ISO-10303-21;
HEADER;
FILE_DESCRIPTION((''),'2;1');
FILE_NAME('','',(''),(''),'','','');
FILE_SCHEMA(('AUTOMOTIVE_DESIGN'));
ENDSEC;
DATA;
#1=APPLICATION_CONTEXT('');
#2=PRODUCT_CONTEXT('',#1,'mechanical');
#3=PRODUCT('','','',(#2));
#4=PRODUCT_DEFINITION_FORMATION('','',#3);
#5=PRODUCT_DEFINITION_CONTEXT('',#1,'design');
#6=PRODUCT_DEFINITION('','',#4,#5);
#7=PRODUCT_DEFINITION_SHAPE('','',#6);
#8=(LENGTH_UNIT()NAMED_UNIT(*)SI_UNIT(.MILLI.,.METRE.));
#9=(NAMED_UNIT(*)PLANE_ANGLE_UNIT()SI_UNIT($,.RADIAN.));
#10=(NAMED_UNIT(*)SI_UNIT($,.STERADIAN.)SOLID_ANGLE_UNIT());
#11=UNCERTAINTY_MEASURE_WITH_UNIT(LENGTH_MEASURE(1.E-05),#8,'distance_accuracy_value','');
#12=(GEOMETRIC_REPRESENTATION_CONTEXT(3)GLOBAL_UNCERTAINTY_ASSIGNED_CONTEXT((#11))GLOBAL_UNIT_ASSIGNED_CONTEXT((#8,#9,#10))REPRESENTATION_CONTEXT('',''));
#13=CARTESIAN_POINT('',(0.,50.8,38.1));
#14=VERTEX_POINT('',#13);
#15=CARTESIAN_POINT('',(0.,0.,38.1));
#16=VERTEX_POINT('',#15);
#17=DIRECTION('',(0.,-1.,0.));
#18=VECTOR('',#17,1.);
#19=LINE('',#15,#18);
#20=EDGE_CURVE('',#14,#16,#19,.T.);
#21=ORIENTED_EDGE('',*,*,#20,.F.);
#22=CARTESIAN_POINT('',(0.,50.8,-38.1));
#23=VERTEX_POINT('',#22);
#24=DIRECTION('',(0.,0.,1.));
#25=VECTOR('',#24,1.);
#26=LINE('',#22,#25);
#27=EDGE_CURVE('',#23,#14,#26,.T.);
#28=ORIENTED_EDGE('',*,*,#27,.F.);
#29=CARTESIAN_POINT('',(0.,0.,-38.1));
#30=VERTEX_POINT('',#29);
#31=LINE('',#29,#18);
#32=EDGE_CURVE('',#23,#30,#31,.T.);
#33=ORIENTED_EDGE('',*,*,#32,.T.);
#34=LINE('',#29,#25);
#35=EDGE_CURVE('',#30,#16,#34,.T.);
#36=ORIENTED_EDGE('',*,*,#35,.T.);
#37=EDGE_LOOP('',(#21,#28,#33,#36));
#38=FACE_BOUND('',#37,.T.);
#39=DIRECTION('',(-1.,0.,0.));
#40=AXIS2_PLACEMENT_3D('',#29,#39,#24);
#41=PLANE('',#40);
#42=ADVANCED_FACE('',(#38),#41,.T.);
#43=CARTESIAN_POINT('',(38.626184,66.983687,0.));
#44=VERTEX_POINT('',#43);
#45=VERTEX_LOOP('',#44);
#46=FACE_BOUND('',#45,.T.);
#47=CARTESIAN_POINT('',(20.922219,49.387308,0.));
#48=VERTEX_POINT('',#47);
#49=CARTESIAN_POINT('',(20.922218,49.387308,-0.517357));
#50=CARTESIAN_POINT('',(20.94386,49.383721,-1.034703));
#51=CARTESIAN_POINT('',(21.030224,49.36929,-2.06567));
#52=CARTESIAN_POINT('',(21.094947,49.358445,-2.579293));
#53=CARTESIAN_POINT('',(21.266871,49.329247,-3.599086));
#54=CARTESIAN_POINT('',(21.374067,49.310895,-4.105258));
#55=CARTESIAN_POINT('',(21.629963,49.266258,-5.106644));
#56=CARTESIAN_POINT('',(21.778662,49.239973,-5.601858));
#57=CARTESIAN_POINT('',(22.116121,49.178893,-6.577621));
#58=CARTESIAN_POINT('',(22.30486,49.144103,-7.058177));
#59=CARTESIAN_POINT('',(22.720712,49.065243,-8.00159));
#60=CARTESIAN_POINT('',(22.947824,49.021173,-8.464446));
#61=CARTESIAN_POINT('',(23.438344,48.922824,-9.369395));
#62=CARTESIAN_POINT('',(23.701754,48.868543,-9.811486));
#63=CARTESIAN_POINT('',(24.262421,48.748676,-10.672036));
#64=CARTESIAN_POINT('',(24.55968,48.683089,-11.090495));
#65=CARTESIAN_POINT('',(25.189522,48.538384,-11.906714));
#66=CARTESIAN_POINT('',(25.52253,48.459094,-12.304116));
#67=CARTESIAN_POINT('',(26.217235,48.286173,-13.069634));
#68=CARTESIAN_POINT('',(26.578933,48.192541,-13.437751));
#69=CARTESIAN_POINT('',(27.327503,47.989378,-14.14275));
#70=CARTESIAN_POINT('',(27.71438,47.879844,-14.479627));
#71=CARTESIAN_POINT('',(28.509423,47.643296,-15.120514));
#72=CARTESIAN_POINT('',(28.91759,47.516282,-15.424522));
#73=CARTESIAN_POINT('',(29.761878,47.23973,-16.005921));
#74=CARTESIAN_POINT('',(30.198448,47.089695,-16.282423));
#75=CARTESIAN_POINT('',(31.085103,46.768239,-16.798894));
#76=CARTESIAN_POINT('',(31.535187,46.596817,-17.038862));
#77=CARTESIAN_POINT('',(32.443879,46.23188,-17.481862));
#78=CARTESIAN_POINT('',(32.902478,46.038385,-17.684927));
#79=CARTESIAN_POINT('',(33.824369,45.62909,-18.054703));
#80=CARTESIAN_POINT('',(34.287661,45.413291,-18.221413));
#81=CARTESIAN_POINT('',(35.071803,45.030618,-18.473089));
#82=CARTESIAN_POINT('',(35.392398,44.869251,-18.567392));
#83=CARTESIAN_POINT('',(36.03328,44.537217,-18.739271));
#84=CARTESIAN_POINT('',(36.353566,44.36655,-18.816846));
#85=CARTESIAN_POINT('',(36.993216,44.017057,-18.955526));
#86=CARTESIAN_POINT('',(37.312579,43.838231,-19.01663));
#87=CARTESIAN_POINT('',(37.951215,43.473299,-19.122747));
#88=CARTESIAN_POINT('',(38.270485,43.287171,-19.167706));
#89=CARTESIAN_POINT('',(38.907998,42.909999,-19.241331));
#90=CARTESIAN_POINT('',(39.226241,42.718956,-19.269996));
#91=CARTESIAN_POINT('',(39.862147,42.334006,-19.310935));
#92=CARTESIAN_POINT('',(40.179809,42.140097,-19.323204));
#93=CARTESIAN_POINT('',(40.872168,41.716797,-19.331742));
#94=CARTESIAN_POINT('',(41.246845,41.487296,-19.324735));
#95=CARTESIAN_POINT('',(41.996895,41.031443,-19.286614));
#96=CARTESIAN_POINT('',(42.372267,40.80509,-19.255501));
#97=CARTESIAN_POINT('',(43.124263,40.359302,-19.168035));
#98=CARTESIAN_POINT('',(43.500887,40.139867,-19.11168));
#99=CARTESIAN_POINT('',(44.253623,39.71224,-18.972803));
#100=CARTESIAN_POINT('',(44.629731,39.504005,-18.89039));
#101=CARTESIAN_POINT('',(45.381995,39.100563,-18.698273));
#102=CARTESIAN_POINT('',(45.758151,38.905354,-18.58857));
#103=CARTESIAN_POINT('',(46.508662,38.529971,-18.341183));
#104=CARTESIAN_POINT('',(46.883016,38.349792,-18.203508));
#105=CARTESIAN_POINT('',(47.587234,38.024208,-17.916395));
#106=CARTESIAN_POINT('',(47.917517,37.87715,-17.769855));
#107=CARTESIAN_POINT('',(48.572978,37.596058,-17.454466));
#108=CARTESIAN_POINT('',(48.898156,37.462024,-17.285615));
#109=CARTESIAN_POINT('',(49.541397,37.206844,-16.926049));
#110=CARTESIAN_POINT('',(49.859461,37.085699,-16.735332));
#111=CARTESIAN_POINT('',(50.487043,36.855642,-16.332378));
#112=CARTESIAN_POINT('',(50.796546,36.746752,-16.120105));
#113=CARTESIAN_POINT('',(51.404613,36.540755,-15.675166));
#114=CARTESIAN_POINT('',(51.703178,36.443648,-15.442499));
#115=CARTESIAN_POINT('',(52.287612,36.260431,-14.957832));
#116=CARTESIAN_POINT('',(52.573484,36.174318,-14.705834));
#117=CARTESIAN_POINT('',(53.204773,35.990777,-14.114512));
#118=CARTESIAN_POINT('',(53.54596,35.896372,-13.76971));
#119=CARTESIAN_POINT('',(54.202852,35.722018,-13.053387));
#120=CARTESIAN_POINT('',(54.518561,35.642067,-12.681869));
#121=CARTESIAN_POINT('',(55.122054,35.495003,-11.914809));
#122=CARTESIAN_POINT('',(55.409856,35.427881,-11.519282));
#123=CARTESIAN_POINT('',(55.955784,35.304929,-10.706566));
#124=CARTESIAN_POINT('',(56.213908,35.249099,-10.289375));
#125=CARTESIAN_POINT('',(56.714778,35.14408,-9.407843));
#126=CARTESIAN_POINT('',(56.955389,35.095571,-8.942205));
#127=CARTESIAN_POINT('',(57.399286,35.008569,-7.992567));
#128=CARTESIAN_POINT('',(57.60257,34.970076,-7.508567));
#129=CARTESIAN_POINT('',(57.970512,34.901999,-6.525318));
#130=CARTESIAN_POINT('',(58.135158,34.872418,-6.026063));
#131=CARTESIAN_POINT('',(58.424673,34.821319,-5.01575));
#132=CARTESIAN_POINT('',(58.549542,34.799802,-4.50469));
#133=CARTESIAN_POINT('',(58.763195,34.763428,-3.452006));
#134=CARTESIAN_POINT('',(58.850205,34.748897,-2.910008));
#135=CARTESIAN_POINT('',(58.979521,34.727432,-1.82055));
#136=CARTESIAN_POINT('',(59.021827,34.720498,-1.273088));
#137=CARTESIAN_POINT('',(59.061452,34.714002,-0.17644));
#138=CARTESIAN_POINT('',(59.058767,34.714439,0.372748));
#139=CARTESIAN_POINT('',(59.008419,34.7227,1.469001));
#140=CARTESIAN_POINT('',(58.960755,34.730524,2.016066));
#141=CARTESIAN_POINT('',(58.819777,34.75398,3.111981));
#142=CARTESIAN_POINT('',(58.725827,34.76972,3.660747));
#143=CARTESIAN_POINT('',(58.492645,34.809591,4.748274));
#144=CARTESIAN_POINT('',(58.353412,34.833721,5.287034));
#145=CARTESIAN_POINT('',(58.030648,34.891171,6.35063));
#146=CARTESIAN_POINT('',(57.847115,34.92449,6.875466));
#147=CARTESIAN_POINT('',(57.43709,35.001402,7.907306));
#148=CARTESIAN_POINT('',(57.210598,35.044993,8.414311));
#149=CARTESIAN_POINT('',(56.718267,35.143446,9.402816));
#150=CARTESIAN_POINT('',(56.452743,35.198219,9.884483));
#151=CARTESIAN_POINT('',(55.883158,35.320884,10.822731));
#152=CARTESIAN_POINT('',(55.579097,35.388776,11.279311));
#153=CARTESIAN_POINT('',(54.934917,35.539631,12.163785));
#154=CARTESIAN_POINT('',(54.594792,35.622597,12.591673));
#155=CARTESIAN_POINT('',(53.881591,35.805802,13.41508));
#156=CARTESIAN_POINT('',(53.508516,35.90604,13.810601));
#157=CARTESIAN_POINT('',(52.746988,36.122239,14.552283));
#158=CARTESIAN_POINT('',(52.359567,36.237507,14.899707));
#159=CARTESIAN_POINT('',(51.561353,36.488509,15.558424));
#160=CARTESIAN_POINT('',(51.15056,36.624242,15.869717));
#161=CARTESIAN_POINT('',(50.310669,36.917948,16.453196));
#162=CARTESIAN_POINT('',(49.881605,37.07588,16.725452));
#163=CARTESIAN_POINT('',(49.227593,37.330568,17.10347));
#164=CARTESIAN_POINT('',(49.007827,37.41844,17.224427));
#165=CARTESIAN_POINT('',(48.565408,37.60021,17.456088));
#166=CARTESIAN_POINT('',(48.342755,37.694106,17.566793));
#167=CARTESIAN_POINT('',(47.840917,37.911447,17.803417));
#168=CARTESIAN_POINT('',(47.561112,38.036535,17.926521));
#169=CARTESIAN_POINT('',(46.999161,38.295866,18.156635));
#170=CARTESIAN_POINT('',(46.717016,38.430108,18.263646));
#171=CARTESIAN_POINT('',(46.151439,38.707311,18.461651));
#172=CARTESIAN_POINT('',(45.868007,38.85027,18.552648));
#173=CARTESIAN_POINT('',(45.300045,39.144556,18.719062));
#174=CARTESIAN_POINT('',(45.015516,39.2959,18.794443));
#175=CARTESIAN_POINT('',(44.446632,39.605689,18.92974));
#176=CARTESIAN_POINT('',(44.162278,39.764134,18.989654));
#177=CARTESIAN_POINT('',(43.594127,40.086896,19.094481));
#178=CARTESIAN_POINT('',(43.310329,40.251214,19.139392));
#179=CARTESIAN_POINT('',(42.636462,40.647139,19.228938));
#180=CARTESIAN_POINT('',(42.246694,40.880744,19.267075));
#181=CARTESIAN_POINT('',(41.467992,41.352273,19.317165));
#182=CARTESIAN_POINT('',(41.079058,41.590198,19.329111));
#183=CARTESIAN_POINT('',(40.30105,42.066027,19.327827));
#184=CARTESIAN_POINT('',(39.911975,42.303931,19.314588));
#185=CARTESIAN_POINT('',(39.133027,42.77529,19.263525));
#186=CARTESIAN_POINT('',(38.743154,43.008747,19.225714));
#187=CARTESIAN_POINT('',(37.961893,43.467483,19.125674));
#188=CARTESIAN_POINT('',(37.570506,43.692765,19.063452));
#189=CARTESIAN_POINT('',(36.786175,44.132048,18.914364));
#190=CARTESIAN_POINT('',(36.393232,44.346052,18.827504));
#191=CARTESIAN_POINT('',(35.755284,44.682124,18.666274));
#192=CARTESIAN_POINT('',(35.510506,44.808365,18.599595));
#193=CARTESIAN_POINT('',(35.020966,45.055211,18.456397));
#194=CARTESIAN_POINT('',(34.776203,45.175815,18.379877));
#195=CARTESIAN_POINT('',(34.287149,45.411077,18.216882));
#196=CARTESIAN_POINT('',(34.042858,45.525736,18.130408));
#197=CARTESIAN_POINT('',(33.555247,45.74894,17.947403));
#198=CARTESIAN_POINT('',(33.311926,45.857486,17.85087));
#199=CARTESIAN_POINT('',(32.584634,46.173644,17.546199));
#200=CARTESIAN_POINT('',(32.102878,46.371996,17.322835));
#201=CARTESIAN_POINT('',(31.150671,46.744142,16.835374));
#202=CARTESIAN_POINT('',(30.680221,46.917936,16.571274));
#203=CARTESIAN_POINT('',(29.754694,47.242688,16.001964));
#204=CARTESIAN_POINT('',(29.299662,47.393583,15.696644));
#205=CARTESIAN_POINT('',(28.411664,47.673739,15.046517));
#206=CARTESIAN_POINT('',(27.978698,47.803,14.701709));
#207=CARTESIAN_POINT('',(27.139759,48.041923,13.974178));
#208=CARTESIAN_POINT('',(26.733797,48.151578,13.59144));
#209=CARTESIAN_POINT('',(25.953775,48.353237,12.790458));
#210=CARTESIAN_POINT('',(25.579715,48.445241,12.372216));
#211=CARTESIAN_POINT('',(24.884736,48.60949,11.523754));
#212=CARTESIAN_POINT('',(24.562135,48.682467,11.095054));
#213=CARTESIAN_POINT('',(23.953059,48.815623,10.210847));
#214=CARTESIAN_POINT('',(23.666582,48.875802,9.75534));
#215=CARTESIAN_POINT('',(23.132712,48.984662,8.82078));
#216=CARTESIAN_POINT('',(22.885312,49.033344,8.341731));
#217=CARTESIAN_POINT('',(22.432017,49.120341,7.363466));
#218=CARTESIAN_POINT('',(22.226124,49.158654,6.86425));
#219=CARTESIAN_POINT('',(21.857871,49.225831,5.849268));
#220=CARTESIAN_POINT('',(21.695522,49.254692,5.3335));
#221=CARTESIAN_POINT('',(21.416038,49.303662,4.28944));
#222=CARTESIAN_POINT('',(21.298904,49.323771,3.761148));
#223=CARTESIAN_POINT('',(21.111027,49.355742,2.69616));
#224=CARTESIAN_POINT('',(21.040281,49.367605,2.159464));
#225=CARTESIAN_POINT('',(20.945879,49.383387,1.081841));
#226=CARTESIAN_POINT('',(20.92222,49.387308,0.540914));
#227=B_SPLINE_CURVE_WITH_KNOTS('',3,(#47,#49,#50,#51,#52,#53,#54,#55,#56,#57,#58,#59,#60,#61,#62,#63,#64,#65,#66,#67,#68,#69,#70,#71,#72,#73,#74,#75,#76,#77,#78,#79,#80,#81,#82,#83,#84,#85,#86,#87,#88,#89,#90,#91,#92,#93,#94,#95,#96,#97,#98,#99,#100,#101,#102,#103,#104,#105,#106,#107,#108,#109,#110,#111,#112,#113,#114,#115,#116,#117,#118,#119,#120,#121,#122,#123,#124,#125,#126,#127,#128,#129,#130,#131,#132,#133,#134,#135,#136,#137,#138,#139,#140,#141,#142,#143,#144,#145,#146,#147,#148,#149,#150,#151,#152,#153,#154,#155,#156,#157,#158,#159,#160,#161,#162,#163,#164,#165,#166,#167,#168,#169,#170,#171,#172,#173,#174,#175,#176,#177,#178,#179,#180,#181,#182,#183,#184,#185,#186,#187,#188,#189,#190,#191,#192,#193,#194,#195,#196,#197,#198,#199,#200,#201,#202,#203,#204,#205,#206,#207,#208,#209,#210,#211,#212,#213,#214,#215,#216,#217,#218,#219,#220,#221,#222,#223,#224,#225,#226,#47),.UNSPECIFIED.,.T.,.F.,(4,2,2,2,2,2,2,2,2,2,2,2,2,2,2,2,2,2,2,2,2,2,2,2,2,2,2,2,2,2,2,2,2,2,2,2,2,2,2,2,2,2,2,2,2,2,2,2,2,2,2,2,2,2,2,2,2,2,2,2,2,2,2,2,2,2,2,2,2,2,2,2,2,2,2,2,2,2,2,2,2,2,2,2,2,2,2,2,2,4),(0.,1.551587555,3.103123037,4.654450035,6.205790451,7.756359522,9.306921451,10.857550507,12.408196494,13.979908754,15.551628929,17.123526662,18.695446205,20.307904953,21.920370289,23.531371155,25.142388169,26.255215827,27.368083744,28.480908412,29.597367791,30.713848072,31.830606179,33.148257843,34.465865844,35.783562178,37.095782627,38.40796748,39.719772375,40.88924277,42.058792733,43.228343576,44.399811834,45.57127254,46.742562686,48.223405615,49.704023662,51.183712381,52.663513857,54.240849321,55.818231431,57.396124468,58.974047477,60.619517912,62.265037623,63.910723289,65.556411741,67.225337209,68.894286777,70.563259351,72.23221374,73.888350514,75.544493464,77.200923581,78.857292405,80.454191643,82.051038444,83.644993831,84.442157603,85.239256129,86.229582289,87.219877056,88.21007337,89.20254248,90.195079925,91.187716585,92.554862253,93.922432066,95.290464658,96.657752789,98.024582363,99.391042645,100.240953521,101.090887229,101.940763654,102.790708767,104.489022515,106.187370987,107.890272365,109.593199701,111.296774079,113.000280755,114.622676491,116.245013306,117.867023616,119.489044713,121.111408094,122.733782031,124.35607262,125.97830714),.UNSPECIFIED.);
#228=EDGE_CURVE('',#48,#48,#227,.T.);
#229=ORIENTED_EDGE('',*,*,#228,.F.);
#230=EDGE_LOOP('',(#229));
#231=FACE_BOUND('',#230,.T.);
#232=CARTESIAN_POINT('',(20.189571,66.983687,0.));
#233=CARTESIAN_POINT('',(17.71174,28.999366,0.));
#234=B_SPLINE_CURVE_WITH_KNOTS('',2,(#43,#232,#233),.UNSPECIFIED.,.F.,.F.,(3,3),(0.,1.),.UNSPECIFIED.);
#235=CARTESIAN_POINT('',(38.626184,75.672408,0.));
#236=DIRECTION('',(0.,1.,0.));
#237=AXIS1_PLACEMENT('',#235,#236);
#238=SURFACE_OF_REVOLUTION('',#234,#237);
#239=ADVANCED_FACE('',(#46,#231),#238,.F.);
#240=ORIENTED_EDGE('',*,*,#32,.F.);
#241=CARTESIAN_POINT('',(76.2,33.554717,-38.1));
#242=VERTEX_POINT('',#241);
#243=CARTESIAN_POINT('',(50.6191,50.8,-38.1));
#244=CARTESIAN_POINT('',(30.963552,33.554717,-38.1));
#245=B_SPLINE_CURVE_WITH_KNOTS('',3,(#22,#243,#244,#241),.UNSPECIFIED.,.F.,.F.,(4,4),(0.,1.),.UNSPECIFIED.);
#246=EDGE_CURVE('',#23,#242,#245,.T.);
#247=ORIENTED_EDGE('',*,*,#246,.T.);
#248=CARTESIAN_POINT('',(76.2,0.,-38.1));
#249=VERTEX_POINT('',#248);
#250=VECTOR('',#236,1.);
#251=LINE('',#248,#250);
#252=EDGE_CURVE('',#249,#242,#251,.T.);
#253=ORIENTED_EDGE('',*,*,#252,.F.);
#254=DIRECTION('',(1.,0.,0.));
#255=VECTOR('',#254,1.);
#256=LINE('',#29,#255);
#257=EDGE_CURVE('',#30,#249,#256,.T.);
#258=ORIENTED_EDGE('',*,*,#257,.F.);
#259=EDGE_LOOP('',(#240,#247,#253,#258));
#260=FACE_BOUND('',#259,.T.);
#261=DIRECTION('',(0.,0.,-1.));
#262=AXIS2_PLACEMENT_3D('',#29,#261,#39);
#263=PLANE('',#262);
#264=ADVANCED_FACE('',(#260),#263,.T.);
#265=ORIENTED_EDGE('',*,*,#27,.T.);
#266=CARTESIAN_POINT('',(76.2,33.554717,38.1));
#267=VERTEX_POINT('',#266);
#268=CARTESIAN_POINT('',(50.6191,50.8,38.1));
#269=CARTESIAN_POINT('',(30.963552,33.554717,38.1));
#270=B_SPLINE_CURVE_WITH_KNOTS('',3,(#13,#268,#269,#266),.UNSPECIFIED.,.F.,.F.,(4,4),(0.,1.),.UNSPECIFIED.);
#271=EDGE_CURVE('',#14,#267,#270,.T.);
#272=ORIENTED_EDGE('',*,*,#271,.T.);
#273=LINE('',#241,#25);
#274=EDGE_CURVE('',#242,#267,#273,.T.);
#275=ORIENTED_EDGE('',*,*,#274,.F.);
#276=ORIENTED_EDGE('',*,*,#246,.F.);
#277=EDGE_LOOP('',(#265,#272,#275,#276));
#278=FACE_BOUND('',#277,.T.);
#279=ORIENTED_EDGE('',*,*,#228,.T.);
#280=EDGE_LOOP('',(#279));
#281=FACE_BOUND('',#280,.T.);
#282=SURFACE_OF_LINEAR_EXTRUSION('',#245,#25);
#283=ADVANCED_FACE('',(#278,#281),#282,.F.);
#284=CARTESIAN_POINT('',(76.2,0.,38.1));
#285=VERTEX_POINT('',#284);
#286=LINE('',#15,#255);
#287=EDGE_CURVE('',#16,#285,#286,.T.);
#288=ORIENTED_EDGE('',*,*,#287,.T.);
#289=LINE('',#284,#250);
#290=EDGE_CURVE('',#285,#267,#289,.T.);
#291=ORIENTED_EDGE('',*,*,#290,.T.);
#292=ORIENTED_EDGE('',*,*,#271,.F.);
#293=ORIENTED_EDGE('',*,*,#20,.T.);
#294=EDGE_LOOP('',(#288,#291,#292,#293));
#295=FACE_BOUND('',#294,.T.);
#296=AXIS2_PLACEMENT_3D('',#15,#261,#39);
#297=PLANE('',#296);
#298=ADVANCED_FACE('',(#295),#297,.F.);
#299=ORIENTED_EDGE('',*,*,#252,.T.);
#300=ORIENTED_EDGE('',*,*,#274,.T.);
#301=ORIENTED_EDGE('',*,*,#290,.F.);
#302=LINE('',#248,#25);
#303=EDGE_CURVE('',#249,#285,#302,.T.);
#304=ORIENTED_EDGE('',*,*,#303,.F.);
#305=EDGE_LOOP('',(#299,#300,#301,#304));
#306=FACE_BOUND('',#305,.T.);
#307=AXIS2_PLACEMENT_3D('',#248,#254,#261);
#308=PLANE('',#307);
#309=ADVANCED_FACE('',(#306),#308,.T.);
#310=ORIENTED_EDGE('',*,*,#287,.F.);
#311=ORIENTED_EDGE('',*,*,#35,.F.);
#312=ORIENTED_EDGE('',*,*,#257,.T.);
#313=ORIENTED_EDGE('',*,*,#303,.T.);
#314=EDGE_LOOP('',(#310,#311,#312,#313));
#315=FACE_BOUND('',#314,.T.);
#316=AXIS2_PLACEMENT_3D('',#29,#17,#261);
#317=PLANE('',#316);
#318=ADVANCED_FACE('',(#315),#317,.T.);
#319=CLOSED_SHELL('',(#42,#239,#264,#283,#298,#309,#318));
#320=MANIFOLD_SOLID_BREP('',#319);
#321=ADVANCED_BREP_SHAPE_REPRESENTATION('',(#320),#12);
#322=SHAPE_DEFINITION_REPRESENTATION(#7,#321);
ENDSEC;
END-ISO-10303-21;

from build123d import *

# Parameters (mm, degrees)
BOSS_EXTRUDE1_DEPTH      = 38.1
BOSS_EXTRUDE1_DEPTH_BACK = 38.1
SKETCH1_W                = 76.2
SKETCH1_H                = 50.8
CUT_EXTRUDE1_DEPTH       = 120.1365603


with BuildPart() as part:
    # Sketch1 → Boss-Extrude1 (new, two sides: drawn at the far end of the back side and taken through both)
    with BuildSketch(Plane.XY.offset(-BOSS_EXTRUDE1_DEPTH_BACK)):
        with Locations((38.1, 25.4)):
            Rectangle(SKETCH1_W, SKETCH1_H)
    extrude(amount=BOSS_EXTRUDE1_DEPTH + BOSS_EXTRUDE1_DEPTH_BACK)

    # Sketch2 → Cut-Extrude1 (cut, through all)
    with BuildSketch(Plane.XY.offset(38.1)):
        with BuildLine():
            Line((0, 50.8), (76.2, 50.8))
            Line((76.2, 50.8), (76.2, 33.554716735))
            add(Edge.make_bspline(
                [(0, 50.8), (50.619099791, 50.8), (30.963551519, 33.554716735), (76.2, 33.554716735)],
                knots=[0, 0, 0, 0, 1, 1, 1, 1], degree=3))
        make_face()
    extrude(amount=-CUT_EXTRUDE1_DEPTH, mode=Mode.SUBTRACT)

    # Sketch3 → Revolve1 (revolve)
    with BuildSketch(Plane.XY):
        with BuildLine():
            Line((17.711739757, 28.999365941), (38.626183585, 28.999365941))
            Line((38.626183585, 28.999365941), (38.626183585, 66.983686716))
            add(Edge.make_bspline(
                [(38.626183585, 66.983686716), (20.189571229, 66.983686716), (17.711739757, 28.999365941)],
                knots=[0, 0, 0, 1, 1, 1], degree=2))
        make_face()
    revolve(axis=Axis((38.626183585, 75.672407866, 0), (0, -1, 0)))


solid = part.part
